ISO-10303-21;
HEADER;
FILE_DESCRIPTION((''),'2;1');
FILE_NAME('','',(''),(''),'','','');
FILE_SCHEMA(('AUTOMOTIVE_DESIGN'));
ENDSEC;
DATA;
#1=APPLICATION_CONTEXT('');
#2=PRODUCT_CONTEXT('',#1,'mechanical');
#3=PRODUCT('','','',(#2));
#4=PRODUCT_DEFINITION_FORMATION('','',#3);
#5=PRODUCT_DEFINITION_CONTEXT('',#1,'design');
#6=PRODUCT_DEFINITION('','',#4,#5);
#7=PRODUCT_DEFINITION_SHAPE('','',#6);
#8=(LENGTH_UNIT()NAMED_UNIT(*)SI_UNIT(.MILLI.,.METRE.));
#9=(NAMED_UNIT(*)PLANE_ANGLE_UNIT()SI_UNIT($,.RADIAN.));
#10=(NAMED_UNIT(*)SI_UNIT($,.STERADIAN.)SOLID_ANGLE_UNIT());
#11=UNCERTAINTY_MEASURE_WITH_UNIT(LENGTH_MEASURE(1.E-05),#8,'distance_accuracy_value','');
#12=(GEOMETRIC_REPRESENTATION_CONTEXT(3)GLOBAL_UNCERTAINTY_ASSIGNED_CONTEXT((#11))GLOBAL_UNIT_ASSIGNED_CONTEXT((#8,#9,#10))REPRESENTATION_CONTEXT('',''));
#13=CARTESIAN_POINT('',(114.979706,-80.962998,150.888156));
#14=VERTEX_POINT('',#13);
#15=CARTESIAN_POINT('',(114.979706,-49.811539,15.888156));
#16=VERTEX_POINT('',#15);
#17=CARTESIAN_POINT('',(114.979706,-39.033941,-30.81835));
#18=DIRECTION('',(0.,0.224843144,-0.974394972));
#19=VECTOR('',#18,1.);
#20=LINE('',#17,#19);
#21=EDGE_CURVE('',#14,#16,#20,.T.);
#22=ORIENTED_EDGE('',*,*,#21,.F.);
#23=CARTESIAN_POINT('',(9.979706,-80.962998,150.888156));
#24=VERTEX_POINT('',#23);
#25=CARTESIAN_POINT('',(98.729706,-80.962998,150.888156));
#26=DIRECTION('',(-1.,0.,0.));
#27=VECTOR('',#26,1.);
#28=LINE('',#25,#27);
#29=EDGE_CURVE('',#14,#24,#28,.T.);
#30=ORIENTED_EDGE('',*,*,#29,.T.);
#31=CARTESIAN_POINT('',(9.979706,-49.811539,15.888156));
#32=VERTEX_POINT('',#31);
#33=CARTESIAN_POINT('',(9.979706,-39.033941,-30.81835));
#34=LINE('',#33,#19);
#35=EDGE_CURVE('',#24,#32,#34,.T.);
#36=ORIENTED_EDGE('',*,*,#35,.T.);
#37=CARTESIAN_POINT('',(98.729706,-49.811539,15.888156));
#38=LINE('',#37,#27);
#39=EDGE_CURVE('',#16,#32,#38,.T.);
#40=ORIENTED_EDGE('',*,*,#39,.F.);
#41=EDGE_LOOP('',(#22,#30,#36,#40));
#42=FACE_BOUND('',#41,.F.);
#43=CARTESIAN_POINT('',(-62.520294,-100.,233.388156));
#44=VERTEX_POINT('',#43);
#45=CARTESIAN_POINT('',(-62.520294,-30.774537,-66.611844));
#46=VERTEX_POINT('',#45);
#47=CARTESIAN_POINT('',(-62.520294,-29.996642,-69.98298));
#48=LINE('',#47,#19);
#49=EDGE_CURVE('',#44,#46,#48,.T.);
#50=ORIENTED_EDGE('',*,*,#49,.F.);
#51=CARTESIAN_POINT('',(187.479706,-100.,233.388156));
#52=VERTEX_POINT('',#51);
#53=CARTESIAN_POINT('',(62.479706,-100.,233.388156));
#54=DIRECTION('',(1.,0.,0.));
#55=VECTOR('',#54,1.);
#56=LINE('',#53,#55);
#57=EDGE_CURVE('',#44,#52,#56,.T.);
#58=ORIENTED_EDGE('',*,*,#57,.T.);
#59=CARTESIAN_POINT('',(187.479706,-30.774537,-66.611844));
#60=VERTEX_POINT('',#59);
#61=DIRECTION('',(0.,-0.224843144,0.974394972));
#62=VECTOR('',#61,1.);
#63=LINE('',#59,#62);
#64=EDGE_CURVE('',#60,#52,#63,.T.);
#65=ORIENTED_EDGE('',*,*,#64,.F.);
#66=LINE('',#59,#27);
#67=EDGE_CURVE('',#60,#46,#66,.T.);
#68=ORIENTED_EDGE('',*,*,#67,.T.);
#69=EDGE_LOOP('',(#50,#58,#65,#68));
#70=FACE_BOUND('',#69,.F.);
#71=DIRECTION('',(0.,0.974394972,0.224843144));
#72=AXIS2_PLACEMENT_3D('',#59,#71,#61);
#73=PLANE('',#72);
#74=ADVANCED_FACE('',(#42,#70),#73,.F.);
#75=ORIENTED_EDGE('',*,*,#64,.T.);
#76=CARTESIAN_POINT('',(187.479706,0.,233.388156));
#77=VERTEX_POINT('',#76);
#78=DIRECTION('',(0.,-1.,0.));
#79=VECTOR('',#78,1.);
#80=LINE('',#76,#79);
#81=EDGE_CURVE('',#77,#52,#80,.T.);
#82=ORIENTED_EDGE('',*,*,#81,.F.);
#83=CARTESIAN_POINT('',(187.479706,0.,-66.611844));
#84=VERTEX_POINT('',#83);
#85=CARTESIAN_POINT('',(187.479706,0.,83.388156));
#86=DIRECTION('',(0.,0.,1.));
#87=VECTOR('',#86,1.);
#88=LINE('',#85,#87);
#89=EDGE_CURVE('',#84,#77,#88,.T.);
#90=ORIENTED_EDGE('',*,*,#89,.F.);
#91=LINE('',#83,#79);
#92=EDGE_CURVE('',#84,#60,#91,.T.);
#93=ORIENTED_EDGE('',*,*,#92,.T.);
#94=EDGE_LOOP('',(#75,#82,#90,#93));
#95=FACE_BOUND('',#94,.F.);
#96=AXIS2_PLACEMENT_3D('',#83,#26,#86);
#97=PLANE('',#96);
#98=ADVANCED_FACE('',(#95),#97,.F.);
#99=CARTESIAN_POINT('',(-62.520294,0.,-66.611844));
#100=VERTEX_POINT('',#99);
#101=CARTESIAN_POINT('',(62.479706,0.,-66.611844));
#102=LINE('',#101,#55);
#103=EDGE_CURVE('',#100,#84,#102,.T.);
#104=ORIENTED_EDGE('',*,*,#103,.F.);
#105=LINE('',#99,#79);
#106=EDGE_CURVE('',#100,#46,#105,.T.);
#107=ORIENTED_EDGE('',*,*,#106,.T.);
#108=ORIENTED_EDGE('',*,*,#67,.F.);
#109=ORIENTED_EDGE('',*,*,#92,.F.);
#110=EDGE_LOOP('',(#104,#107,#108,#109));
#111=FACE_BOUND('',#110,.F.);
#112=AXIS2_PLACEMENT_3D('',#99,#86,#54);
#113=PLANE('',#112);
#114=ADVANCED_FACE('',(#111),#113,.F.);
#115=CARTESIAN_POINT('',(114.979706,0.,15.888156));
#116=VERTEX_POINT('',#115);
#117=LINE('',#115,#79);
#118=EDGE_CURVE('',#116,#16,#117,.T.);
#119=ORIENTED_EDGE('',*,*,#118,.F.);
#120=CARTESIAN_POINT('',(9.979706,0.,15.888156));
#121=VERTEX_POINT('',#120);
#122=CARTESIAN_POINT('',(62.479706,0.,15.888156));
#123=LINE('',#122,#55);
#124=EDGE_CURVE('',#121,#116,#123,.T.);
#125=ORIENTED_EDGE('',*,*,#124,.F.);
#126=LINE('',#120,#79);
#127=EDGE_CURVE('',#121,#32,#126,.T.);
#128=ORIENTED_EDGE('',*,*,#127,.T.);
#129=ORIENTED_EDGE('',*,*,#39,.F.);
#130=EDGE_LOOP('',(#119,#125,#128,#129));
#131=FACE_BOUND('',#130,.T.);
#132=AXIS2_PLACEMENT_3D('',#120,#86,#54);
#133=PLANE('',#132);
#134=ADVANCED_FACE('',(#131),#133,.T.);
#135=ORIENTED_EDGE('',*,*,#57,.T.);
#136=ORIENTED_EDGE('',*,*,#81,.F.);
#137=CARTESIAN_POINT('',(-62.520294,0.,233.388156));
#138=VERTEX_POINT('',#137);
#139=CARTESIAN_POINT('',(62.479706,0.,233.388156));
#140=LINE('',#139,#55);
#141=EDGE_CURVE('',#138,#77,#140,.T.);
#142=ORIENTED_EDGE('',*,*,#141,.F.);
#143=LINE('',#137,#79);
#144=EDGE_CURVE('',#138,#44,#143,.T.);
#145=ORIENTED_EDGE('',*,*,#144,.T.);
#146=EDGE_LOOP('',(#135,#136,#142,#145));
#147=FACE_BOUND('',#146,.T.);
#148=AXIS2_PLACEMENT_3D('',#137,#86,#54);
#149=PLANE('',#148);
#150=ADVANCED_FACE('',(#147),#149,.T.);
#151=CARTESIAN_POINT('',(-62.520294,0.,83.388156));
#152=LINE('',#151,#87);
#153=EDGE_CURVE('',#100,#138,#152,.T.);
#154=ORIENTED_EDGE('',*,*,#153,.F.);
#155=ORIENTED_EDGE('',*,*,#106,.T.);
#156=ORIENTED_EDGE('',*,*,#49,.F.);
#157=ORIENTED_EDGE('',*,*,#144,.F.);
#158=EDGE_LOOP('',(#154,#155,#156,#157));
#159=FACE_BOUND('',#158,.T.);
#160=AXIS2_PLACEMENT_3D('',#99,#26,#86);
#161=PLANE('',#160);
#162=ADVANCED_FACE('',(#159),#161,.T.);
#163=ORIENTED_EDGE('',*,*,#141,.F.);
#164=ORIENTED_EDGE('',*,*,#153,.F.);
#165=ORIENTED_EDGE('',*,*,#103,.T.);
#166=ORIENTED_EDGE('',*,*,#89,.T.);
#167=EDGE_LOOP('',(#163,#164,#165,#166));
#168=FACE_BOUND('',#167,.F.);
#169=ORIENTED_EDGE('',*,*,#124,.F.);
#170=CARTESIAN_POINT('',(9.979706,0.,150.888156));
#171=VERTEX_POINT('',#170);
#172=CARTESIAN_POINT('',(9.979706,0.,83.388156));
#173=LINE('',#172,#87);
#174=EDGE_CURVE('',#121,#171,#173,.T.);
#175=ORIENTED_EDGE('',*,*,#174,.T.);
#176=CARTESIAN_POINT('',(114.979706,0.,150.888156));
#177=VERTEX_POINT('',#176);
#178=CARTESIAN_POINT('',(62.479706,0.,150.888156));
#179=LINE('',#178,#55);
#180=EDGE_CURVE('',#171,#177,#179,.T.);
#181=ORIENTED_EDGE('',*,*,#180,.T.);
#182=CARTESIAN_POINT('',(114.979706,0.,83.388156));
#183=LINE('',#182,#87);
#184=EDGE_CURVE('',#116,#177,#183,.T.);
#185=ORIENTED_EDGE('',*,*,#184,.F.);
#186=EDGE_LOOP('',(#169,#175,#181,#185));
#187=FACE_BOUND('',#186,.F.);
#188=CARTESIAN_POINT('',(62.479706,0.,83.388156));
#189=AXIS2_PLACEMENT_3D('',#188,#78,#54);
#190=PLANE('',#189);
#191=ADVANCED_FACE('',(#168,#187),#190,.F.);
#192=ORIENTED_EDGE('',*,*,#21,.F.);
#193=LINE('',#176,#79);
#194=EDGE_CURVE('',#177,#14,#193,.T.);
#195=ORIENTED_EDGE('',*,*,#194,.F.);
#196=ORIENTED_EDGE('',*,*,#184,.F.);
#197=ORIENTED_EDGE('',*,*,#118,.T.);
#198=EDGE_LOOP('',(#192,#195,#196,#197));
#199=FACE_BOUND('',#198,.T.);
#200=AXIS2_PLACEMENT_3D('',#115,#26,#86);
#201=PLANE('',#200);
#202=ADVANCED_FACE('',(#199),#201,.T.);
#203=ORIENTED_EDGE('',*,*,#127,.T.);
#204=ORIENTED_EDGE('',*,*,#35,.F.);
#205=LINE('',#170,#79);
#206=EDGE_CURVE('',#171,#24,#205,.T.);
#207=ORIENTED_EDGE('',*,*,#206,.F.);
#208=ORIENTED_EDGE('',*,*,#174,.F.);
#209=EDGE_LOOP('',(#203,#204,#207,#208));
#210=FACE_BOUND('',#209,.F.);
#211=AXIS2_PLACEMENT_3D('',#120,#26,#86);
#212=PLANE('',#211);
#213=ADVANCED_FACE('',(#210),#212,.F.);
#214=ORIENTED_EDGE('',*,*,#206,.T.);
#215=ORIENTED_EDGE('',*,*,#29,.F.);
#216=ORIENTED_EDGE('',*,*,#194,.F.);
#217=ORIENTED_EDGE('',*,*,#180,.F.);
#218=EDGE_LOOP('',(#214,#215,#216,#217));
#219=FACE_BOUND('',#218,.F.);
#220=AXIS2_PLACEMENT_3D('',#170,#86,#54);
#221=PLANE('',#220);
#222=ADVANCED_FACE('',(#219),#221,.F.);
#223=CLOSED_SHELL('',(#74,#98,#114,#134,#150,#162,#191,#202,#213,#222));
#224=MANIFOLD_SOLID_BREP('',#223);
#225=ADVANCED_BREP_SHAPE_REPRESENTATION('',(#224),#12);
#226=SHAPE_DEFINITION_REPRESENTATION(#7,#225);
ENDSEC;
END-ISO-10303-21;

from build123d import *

# Parameters (mm, degrees)
F0_W     = 250
F0_H     = 300
F0_W_2   = 105
F0_H_2   = 135
F1_DEPTH = 100
F3_DEPTH = 297


with BuildPart() as f1:
    # F0 (on Front) → F1 (new body)
    with BuildSketch(Plane.XZ):
        with Locations((62.479706, 83.388156)):
            Rectangle(F0_W, F0_H)
        with Locations((62.479706, 83.388156)):
            Rectangle(F0_W_2, F0_H_2, mode=Mode.SUBTRACT)
    extrude(amount=F1_DEPTH)

    # F2 (on face) → F3 (cut)
    with BuildSketch(Plane.YZ.offset(187.479706)):
        Polygon((-30.774537, -66.611844), (-100, 233.388156), (-100, -66.611844), align=None)
    extrude(amount=-F3_DEPTH, mode=Mode.SUBTRACT)


solid = f1.part
